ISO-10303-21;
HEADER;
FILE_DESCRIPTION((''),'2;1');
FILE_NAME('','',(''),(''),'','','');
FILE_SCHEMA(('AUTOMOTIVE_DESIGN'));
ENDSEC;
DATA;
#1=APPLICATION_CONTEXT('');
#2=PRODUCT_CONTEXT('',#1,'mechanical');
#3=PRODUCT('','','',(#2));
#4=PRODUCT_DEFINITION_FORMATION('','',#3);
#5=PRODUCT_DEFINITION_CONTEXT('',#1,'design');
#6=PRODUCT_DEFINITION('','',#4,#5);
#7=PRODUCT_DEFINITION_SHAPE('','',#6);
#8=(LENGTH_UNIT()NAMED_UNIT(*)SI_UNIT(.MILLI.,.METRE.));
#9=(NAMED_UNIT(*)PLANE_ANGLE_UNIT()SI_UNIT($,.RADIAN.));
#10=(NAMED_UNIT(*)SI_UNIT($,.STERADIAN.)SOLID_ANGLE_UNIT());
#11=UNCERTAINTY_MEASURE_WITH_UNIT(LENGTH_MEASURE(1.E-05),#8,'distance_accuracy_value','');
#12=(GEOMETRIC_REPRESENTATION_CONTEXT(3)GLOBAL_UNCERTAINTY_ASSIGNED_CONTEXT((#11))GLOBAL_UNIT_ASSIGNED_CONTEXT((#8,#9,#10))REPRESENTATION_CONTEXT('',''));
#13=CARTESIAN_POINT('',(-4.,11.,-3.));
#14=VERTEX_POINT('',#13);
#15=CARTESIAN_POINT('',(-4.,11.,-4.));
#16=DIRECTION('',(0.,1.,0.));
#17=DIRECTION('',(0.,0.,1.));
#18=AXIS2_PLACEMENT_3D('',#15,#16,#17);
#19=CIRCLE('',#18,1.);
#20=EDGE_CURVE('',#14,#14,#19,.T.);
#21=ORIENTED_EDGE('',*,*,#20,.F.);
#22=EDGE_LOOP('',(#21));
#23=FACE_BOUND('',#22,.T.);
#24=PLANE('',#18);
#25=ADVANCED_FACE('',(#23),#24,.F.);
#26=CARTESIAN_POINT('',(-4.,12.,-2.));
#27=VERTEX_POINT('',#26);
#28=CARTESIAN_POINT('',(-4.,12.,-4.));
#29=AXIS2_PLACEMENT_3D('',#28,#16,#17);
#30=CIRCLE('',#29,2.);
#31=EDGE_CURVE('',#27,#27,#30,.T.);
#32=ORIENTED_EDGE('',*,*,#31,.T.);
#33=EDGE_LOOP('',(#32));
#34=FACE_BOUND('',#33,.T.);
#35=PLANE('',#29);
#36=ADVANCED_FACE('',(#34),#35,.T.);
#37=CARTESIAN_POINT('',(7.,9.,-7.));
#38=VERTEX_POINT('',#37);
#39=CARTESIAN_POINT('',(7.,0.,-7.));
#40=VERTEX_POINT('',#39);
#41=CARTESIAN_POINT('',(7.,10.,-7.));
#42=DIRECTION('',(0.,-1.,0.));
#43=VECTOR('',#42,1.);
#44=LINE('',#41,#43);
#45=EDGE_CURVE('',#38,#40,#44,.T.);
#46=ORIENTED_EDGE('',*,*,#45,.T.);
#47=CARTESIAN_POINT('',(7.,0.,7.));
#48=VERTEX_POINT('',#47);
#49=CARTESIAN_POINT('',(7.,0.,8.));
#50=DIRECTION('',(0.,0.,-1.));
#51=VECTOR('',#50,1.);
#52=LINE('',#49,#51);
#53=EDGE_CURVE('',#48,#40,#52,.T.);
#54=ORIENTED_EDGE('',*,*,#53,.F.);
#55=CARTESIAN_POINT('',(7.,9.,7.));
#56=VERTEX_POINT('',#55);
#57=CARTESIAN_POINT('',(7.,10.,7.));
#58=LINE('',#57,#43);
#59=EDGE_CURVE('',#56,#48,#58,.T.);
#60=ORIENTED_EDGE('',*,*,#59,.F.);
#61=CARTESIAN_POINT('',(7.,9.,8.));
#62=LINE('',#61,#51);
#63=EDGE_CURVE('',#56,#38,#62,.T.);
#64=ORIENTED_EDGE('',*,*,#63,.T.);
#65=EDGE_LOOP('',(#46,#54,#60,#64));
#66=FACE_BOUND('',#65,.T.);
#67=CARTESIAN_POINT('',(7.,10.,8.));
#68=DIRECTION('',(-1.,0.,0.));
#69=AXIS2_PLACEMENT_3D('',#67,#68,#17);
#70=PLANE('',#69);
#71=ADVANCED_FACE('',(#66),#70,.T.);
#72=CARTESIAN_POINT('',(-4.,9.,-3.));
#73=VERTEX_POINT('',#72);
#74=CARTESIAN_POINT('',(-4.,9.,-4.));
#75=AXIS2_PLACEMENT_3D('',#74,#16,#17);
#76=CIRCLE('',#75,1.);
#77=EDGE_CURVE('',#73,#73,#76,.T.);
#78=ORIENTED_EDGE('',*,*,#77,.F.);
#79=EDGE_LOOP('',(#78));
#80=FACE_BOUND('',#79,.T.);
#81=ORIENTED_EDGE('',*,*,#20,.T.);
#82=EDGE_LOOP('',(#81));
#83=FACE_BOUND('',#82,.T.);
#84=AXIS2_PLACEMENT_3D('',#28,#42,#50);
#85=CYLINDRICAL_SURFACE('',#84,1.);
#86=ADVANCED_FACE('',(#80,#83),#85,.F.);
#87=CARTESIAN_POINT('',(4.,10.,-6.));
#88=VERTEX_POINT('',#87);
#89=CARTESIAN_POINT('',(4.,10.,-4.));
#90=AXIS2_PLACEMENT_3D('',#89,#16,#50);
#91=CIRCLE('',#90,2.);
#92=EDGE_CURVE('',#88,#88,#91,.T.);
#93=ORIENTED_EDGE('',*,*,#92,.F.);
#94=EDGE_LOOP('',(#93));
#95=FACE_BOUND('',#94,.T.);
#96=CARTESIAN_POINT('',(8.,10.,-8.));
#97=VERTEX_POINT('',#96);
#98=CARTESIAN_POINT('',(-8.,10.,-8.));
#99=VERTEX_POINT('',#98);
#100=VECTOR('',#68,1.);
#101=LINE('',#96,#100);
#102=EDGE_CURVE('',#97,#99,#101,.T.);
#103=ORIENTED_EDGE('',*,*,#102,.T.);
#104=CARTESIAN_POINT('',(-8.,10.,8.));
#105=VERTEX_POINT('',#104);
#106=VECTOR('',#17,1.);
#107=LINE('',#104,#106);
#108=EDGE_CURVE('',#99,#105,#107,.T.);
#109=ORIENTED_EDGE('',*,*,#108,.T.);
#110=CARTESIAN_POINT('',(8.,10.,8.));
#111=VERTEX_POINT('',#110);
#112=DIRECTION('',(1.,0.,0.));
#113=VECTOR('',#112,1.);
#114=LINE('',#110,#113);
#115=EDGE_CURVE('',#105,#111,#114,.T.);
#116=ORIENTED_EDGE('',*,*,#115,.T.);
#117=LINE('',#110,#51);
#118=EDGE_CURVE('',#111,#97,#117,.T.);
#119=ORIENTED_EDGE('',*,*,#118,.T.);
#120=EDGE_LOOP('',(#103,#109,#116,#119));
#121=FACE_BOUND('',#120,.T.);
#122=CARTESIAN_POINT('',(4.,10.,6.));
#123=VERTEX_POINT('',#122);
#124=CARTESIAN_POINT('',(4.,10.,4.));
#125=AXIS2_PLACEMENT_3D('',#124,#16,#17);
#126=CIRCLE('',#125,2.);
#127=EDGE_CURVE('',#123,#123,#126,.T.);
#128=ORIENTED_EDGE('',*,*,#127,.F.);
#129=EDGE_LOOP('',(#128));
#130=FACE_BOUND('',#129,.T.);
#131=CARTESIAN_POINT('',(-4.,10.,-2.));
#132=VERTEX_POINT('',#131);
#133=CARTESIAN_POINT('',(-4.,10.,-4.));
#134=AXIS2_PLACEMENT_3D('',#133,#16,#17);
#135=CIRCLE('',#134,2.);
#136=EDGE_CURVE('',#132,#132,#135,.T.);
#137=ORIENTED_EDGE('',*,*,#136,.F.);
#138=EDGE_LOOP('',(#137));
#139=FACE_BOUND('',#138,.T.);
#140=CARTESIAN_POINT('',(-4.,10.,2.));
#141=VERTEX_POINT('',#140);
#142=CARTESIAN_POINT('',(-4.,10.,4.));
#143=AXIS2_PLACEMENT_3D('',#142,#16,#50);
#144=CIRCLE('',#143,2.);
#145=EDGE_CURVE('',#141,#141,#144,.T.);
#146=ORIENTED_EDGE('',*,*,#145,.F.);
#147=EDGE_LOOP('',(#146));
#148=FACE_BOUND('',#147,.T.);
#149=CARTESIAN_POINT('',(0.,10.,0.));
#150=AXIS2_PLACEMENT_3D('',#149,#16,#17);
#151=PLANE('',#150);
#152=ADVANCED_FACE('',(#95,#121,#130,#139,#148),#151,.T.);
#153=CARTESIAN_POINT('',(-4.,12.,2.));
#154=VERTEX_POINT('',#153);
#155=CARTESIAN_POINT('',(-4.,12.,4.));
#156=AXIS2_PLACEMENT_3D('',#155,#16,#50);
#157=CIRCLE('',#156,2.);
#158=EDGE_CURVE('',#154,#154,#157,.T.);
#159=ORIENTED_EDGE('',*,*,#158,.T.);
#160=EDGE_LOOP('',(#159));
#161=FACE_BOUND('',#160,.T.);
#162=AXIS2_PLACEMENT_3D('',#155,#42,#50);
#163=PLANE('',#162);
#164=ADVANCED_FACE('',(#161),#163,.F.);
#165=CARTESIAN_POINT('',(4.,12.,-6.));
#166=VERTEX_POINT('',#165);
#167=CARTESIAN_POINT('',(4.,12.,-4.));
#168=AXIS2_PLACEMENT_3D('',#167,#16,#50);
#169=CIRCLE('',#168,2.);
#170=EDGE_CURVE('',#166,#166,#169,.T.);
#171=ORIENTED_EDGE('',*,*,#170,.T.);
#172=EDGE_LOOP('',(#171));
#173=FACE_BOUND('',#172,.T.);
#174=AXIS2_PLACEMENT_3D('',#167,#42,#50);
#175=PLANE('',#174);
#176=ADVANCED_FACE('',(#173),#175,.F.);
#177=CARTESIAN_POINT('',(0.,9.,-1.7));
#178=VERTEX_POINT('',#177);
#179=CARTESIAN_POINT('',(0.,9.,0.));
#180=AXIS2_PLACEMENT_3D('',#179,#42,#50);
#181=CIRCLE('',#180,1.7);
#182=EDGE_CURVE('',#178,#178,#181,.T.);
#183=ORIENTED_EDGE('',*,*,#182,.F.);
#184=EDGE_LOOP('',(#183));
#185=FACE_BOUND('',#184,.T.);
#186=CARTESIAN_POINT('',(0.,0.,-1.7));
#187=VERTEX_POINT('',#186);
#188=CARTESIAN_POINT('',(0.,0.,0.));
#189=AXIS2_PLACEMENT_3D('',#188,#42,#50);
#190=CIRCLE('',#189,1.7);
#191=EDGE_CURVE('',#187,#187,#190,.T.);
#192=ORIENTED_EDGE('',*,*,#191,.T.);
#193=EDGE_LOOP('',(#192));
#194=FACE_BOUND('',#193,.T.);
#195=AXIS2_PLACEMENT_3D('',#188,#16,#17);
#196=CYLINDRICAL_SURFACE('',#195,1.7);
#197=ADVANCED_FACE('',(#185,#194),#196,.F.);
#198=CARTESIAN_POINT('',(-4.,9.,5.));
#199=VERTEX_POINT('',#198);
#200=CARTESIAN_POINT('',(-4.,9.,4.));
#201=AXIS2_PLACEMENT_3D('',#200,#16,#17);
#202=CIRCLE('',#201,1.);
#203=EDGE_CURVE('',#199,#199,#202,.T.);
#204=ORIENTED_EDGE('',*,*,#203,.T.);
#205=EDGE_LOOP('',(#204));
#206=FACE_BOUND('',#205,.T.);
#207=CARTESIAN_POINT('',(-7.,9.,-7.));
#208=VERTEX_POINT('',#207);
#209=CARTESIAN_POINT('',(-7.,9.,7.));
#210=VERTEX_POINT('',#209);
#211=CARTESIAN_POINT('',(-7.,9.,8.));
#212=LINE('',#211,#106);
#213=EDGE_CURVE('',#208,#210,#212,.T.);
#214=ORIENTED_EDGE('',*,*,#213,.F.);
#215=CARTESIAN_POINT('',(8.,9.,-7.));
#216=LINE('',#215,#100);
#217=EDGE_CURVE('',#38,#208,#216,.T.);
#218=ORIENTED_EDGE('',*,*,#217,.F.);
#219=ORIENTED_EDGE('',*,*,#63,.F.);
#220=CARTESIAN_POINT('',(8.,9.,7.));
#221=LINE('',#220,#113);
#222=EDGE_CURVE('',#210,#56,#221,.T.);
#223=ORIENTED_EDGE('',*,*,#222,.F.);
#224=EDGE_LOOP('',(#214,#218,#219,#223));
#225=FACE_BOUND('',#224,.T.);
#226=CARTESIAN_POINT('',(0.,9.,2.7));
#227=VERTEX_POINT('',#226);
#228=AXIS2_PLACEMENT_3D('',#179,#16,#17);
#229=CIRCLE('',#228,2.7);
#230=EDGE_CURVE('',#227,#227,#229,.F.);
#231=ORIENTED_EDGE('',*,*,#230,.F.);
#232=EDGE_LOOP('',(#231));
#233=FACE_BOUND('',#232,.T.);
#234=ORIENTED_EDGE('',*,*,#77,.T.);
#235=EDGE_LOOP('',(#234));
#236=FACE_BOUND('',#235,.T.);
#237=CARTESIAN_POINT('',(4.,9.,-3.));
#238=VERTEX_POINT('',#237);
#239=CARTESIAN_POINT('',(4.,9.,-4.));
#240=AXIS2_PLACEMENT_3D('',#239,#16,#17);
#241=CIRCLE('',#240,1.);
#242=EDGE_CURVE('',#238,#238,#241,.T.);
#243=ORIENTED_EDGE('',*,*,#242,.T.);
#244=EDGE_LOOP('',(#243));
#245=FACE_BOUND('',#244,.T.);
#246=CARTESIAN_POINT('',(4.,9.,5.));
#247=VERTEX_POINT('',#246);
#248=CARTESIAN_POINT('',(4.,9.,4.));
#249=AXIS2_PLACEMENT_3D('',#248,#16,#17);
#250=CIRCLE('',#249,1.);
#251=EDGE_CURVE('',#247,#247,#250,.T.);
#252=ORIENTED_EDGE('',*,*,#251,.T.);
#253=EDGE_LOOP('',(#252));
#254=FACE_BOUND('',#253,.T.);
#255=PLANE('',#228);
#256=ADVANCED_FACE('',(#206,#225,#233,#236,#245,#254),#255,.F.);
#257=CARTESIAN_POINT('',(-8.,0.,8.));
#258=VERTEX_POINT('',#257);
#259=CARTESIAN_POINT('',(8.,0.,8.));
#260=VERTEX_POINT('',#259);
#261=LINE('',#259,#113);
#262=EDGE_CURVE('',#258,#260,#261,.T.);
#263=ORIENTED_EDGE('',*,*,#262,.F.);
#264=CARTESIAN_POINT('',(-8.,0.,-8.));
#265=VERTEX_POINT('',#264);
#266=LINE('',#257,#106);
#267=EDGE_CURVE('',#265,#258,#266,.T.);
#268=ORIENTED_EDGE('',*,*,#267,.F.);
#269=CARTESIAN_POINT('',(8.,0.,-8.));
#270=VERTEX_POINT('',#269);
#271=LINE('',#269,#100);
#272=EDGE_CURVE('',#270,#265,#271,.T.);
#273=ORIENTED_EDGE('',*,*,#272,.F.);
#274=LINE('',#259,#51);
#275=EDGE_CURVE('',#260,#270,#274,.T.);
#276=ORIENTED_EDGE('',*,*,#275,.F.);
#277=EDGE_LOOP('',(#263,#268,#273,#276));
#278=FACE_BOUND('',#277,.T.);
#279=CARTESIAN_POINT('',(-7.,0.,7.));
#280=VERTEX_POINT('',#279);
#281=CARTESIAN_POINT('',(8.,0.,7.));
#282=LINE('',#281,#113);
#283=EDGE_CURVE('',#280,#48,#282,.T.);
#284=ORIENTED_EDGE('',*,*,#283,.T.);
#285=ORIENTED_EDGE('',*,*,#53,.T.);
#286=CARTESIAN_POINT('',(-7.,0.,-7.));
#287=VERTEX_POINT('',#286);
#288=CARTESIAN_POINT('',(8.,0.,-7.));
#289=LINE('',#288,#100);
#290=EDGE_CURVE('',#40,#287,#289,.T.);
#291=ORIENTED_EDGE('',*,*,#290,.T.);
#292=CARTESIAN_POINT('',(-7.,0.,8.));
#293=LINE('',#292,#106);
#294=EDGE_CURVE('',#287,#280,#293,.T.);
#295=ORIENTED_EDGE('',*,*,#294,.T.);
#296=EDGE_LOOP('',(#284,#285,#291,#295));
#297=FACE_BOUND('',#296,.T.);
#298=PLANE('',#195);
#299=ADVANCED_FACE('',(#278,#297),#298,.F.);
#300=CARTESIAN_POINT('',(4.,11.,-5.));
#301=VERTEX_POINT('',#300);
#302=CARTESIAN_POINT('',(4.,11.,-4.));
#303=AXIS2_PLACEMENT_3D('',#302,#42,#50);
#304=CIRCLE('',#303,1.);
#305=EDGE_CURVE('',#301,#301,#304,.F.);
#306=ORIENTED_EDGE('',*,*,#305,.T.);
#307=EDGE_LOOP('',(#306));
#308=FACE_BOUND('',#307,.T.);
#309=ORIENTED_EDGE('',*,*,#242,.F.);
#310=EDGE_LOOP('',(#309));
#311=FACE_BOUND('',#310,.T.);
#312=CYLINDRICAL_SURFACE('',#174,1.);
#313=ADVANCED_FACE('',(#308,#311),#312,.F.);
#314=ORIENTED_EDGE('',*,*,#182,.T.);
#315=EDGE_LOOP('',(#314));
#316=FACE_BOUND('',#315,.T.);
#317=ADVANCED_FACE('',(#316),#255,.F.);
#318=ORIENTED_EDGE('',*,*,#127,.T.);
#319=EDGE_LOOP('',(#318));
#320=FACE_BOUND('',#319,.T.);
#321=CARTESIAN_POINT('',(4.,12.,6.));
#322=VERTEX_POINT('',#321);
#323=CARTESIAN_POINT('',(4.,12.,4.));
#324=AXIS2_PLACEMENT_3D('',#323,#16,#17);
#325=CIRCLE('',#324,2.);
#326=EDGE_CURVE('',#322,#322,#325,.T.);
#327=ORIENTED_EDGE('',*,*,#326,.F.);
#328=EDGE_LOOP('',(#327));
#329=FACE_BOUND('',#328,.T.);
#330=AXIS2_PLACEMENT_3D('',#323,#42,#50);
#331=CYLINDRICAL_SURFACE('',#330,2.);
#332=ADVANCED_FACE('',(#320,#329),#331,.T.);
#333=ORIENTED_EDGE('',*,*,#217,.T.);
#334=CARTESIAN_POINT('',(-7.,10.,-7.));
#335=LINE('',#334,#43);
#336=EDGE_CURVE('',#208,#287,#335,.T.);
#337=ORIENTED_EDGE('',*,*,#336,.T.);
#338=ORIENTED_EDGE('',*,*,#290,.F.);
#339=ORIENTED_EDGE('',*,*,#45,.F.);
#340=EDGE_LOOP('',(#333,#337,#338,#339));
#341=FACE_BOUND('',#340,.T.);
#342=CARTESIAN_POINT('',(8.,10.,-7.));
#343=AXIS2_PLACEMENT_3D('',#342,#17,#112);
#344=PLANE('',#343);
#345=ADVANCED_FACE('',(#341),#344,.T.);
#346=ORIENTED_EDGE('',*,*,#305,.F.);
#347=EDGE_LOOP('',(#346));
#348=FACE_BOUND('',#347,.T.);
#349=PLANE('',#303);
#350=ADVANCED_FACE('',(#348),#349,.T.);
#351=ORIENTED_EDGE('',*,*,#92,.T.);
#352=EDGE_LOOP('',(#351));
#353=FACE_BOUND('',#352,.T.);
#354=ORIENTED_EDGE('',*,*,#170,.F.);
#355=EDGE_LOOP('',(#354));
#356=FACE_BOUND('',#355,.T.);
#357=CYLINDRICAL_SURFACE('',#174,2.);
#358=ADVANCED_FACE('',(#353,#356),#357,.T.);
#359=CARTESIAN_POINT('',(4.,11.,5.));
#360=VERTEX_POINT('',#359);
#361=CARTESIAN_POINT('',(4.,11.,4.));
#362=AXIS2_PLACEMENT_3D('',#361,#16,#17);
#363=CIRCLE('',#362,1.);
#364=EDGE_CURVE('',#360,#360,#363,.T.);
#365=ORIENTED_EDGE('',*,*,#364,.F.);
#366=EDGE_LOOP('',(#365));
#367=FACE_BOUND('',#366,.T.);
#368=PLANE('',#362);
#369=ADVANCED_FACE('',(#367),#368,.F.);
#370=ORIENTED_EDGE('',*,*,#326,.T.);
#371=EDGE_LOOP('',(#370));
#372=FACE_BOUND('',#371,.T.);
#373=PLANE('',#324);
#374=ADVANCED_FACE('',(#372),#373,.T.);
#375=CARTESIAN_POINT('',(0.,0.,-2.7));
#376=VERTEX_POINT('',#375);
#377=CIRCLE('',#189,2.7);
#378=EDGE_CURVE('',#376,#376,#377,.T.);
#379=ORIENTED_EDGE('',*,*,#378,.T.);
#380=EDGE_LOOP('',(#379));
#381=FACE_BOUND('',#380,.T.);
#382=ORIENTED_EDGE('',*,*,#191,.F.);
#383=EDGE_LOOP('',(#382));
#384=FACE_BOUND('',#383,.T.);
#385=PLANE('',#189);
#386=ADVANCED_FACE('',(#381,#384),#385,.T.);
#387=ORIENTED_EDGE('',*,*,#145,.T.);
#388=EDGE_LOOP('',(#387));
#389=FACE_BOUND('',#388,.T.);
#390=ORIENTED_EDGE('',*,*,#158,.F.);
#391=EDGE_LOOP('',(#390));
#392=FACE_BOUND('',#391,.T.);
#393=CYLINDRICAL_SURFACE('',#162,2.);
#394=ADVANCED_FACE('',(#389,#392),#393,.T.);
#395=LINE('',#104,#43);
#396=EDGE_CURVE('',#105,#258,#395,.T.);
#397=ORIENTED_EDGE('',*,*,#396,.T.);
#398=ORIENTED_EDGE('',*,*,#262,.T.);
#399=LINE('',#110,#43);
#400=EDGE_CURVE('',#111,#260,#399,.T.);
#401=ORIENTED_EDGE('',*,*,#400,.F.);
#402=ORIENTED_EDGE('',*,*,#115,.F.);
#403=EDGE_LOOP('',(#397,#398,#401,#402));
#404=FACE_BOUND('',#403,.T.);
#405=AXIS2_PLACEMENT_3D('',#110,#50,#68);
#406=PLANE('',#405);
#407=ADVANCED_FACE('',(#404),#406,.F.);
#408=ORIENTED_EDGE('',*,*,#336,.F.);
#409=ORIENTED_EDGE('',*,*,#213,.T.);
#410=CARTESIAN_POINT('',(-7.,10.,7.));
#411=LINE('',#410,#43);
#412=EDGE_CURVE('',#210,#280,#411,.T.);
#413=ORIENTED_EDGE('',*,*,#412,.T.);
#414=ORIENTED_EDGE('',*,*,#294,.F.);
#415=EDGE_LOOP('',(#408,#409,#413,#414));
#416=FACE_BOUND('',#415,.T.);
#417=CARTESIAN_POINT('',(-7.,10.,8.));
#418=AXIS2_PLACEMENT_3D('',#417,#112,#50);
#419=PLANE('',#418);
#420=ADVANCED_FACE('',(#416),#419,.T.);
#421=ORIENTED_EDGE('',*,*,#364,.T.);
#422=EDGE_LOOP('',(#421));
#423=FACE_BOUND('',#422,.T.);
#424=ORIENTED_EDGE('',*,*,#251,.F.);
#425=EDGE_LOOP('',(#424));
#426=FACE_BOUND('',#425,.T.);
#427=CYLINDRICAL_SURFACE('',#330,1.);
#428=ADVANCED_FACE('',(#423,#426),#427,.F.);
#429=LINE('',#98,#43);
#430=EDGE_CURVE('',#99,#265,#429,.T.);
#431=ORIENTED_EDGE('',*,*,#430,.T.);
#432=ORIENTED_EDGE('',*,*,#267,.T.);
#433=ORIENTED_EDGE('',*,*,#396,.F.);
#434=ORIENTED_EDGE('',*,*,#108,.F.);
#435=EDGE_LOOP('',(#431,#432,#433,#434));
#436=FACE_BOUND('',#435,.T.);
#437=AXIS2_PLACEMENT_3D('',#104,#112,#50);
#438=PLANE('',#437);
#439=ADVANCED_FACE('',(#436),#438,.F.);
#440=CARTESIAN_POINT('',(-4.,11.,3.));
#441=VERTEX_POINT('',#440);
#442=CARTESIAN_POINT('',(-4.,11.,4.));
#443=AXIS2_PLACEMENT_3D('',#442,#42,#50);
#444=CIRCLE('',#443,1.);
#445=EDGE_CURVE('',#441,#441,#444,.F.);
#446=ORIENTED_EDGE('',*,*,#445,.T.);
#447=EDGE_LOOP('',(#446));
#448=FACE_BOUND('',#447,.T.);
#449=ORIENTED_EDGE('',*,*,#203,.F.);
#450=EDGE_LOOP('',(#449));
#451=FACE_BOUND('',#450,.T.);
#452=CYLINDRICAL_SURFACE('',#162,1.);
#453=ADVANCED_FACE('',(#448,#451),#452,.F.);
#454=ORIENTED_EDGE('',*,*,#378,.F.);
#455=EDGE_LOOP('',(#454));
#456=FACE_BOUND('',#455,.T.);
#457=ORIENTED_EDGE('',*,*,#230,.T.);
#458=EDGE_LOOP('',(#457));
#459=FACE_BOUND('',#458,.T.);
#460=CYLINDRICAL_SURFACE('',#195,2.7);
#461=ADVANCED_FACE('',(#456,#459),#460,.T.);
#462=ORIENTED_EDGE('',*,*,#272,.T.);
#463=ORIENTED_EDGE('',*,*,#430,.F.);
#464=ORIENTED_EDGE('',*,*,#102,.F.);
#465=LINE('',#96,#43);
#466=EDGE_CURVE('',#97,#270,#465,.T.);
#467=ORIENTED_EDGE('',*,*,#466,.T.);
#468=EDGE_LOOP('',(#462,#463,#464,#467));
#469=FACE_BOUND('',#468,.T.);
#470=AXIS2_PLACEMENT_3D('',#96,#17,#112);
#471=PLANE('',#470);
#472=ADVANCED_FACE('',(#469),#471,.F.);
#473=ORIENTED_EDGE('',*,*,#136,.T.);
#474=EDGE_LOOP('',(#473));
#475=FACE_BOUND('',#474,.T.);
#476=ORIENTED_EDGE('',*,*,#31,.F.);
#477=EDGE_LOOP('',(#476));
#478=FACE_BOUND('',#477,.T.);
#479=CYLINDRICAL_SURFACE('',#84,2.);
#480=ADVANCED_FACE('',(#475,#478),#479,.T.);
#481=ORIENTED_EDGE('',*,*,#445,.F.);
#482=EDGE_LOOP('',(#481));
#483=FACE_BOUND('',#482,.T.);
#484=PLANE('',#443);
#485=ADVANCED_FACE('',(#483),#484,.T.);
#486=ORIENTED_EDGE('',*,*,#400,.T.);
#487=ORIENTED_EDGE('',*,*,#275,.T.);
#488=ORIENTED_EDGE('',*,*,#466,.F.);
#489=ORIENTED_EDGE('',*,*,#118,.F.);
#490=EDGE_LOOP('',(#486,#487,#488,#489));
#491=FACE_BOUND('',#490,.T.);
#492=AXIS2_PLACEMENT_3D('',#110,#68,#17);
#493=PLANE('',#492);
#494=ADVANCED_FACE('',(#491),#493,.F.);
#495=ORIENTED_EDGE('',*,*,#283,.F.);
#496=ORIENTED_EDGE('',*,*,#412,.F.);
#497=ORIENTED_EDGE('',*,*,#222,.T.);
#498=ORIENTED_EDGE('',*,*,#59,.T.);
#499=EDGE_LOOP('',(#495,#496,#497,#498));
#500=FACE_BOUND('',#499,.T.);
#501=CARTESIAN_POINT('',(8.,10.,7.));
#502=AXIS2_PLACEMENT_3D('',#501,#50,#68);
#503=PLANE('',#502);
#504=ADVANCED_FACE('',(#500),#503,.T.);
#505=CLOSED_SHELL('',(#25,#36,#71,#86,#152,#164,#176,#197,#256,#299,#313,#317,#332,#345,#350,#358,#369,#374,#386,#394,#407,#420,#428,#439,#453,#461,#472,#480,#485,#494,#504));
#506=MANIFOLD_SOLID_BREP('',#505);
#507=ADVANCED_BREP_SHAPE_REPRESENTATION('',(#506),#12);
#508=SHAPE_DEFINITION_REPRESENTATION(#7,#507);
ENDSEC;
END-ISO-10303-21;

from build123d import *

# Parameters (mm, degrees)
SKETCH1_W           = 16
SKETCH1_H           = 16
BOSS_EXTRUDE1_DEPTH = 10
SKETCH2_R           = 2
BOSS_EXTRUDE2_DEPTH = 2
SHELL1_T            = -1
SKETCH3_R           = 2.7
SKETCH3_R_2         = 1.7
BOSS_EXTRUDE3_DEPTH = 9


with BuildPart() as part:
    # Sketch1 → Boss-Extrude1 (new body)
    with BuildSketch(Plane(origin=(0, 0, 0), x_dir=(1, 0, 0), z_dir=(0, 1, 0))):
        Rectangle(SKETCH1_W, SKETCH1_H)
    extrude(amount=BOSS_EXTRUDE1_DEPTH)

    # Sketch2 → Boss-Extrude2 (add)
    with BuildSketch(Plane(origin=(0, 10, 0), x_dir=(1, 0, 0), z_dir=(0, 1, 0))):
        with Locations((-4, 4)):
            Circle(SKETCH2_R)
        with Locations((4, 4)):
            Circle(SKETCH2_R)
        with Locations((-4, -4)):
            Circle(SKETCH2_R)
        with Locations((4, -4)):
            Circle(SKETCH2_R)
    extrude(amount=BOSS_EXTRUDE2_DEPTH)

    # Shell1
    shell1_openings = [part.faces().sort_by_distance(p)[0] for p in [
        (0, 0, 0),
    ]]
    offset(amount=SHELL1_T, openings=shell1_openings, kind=Kind.INTERSECTION)

    # Sketch3 → Boss-Extrude3 (add)
    with BuildSketch(Plane.XZ.offset(-9)):
        Circle(SKETCH3_R)
        Circle(SKETCH3_R_2, mode=Mode.SUBTRACT)
    extrude(amount=BOSS_EXTRUDE3_DEPTH)


solid = part.part
